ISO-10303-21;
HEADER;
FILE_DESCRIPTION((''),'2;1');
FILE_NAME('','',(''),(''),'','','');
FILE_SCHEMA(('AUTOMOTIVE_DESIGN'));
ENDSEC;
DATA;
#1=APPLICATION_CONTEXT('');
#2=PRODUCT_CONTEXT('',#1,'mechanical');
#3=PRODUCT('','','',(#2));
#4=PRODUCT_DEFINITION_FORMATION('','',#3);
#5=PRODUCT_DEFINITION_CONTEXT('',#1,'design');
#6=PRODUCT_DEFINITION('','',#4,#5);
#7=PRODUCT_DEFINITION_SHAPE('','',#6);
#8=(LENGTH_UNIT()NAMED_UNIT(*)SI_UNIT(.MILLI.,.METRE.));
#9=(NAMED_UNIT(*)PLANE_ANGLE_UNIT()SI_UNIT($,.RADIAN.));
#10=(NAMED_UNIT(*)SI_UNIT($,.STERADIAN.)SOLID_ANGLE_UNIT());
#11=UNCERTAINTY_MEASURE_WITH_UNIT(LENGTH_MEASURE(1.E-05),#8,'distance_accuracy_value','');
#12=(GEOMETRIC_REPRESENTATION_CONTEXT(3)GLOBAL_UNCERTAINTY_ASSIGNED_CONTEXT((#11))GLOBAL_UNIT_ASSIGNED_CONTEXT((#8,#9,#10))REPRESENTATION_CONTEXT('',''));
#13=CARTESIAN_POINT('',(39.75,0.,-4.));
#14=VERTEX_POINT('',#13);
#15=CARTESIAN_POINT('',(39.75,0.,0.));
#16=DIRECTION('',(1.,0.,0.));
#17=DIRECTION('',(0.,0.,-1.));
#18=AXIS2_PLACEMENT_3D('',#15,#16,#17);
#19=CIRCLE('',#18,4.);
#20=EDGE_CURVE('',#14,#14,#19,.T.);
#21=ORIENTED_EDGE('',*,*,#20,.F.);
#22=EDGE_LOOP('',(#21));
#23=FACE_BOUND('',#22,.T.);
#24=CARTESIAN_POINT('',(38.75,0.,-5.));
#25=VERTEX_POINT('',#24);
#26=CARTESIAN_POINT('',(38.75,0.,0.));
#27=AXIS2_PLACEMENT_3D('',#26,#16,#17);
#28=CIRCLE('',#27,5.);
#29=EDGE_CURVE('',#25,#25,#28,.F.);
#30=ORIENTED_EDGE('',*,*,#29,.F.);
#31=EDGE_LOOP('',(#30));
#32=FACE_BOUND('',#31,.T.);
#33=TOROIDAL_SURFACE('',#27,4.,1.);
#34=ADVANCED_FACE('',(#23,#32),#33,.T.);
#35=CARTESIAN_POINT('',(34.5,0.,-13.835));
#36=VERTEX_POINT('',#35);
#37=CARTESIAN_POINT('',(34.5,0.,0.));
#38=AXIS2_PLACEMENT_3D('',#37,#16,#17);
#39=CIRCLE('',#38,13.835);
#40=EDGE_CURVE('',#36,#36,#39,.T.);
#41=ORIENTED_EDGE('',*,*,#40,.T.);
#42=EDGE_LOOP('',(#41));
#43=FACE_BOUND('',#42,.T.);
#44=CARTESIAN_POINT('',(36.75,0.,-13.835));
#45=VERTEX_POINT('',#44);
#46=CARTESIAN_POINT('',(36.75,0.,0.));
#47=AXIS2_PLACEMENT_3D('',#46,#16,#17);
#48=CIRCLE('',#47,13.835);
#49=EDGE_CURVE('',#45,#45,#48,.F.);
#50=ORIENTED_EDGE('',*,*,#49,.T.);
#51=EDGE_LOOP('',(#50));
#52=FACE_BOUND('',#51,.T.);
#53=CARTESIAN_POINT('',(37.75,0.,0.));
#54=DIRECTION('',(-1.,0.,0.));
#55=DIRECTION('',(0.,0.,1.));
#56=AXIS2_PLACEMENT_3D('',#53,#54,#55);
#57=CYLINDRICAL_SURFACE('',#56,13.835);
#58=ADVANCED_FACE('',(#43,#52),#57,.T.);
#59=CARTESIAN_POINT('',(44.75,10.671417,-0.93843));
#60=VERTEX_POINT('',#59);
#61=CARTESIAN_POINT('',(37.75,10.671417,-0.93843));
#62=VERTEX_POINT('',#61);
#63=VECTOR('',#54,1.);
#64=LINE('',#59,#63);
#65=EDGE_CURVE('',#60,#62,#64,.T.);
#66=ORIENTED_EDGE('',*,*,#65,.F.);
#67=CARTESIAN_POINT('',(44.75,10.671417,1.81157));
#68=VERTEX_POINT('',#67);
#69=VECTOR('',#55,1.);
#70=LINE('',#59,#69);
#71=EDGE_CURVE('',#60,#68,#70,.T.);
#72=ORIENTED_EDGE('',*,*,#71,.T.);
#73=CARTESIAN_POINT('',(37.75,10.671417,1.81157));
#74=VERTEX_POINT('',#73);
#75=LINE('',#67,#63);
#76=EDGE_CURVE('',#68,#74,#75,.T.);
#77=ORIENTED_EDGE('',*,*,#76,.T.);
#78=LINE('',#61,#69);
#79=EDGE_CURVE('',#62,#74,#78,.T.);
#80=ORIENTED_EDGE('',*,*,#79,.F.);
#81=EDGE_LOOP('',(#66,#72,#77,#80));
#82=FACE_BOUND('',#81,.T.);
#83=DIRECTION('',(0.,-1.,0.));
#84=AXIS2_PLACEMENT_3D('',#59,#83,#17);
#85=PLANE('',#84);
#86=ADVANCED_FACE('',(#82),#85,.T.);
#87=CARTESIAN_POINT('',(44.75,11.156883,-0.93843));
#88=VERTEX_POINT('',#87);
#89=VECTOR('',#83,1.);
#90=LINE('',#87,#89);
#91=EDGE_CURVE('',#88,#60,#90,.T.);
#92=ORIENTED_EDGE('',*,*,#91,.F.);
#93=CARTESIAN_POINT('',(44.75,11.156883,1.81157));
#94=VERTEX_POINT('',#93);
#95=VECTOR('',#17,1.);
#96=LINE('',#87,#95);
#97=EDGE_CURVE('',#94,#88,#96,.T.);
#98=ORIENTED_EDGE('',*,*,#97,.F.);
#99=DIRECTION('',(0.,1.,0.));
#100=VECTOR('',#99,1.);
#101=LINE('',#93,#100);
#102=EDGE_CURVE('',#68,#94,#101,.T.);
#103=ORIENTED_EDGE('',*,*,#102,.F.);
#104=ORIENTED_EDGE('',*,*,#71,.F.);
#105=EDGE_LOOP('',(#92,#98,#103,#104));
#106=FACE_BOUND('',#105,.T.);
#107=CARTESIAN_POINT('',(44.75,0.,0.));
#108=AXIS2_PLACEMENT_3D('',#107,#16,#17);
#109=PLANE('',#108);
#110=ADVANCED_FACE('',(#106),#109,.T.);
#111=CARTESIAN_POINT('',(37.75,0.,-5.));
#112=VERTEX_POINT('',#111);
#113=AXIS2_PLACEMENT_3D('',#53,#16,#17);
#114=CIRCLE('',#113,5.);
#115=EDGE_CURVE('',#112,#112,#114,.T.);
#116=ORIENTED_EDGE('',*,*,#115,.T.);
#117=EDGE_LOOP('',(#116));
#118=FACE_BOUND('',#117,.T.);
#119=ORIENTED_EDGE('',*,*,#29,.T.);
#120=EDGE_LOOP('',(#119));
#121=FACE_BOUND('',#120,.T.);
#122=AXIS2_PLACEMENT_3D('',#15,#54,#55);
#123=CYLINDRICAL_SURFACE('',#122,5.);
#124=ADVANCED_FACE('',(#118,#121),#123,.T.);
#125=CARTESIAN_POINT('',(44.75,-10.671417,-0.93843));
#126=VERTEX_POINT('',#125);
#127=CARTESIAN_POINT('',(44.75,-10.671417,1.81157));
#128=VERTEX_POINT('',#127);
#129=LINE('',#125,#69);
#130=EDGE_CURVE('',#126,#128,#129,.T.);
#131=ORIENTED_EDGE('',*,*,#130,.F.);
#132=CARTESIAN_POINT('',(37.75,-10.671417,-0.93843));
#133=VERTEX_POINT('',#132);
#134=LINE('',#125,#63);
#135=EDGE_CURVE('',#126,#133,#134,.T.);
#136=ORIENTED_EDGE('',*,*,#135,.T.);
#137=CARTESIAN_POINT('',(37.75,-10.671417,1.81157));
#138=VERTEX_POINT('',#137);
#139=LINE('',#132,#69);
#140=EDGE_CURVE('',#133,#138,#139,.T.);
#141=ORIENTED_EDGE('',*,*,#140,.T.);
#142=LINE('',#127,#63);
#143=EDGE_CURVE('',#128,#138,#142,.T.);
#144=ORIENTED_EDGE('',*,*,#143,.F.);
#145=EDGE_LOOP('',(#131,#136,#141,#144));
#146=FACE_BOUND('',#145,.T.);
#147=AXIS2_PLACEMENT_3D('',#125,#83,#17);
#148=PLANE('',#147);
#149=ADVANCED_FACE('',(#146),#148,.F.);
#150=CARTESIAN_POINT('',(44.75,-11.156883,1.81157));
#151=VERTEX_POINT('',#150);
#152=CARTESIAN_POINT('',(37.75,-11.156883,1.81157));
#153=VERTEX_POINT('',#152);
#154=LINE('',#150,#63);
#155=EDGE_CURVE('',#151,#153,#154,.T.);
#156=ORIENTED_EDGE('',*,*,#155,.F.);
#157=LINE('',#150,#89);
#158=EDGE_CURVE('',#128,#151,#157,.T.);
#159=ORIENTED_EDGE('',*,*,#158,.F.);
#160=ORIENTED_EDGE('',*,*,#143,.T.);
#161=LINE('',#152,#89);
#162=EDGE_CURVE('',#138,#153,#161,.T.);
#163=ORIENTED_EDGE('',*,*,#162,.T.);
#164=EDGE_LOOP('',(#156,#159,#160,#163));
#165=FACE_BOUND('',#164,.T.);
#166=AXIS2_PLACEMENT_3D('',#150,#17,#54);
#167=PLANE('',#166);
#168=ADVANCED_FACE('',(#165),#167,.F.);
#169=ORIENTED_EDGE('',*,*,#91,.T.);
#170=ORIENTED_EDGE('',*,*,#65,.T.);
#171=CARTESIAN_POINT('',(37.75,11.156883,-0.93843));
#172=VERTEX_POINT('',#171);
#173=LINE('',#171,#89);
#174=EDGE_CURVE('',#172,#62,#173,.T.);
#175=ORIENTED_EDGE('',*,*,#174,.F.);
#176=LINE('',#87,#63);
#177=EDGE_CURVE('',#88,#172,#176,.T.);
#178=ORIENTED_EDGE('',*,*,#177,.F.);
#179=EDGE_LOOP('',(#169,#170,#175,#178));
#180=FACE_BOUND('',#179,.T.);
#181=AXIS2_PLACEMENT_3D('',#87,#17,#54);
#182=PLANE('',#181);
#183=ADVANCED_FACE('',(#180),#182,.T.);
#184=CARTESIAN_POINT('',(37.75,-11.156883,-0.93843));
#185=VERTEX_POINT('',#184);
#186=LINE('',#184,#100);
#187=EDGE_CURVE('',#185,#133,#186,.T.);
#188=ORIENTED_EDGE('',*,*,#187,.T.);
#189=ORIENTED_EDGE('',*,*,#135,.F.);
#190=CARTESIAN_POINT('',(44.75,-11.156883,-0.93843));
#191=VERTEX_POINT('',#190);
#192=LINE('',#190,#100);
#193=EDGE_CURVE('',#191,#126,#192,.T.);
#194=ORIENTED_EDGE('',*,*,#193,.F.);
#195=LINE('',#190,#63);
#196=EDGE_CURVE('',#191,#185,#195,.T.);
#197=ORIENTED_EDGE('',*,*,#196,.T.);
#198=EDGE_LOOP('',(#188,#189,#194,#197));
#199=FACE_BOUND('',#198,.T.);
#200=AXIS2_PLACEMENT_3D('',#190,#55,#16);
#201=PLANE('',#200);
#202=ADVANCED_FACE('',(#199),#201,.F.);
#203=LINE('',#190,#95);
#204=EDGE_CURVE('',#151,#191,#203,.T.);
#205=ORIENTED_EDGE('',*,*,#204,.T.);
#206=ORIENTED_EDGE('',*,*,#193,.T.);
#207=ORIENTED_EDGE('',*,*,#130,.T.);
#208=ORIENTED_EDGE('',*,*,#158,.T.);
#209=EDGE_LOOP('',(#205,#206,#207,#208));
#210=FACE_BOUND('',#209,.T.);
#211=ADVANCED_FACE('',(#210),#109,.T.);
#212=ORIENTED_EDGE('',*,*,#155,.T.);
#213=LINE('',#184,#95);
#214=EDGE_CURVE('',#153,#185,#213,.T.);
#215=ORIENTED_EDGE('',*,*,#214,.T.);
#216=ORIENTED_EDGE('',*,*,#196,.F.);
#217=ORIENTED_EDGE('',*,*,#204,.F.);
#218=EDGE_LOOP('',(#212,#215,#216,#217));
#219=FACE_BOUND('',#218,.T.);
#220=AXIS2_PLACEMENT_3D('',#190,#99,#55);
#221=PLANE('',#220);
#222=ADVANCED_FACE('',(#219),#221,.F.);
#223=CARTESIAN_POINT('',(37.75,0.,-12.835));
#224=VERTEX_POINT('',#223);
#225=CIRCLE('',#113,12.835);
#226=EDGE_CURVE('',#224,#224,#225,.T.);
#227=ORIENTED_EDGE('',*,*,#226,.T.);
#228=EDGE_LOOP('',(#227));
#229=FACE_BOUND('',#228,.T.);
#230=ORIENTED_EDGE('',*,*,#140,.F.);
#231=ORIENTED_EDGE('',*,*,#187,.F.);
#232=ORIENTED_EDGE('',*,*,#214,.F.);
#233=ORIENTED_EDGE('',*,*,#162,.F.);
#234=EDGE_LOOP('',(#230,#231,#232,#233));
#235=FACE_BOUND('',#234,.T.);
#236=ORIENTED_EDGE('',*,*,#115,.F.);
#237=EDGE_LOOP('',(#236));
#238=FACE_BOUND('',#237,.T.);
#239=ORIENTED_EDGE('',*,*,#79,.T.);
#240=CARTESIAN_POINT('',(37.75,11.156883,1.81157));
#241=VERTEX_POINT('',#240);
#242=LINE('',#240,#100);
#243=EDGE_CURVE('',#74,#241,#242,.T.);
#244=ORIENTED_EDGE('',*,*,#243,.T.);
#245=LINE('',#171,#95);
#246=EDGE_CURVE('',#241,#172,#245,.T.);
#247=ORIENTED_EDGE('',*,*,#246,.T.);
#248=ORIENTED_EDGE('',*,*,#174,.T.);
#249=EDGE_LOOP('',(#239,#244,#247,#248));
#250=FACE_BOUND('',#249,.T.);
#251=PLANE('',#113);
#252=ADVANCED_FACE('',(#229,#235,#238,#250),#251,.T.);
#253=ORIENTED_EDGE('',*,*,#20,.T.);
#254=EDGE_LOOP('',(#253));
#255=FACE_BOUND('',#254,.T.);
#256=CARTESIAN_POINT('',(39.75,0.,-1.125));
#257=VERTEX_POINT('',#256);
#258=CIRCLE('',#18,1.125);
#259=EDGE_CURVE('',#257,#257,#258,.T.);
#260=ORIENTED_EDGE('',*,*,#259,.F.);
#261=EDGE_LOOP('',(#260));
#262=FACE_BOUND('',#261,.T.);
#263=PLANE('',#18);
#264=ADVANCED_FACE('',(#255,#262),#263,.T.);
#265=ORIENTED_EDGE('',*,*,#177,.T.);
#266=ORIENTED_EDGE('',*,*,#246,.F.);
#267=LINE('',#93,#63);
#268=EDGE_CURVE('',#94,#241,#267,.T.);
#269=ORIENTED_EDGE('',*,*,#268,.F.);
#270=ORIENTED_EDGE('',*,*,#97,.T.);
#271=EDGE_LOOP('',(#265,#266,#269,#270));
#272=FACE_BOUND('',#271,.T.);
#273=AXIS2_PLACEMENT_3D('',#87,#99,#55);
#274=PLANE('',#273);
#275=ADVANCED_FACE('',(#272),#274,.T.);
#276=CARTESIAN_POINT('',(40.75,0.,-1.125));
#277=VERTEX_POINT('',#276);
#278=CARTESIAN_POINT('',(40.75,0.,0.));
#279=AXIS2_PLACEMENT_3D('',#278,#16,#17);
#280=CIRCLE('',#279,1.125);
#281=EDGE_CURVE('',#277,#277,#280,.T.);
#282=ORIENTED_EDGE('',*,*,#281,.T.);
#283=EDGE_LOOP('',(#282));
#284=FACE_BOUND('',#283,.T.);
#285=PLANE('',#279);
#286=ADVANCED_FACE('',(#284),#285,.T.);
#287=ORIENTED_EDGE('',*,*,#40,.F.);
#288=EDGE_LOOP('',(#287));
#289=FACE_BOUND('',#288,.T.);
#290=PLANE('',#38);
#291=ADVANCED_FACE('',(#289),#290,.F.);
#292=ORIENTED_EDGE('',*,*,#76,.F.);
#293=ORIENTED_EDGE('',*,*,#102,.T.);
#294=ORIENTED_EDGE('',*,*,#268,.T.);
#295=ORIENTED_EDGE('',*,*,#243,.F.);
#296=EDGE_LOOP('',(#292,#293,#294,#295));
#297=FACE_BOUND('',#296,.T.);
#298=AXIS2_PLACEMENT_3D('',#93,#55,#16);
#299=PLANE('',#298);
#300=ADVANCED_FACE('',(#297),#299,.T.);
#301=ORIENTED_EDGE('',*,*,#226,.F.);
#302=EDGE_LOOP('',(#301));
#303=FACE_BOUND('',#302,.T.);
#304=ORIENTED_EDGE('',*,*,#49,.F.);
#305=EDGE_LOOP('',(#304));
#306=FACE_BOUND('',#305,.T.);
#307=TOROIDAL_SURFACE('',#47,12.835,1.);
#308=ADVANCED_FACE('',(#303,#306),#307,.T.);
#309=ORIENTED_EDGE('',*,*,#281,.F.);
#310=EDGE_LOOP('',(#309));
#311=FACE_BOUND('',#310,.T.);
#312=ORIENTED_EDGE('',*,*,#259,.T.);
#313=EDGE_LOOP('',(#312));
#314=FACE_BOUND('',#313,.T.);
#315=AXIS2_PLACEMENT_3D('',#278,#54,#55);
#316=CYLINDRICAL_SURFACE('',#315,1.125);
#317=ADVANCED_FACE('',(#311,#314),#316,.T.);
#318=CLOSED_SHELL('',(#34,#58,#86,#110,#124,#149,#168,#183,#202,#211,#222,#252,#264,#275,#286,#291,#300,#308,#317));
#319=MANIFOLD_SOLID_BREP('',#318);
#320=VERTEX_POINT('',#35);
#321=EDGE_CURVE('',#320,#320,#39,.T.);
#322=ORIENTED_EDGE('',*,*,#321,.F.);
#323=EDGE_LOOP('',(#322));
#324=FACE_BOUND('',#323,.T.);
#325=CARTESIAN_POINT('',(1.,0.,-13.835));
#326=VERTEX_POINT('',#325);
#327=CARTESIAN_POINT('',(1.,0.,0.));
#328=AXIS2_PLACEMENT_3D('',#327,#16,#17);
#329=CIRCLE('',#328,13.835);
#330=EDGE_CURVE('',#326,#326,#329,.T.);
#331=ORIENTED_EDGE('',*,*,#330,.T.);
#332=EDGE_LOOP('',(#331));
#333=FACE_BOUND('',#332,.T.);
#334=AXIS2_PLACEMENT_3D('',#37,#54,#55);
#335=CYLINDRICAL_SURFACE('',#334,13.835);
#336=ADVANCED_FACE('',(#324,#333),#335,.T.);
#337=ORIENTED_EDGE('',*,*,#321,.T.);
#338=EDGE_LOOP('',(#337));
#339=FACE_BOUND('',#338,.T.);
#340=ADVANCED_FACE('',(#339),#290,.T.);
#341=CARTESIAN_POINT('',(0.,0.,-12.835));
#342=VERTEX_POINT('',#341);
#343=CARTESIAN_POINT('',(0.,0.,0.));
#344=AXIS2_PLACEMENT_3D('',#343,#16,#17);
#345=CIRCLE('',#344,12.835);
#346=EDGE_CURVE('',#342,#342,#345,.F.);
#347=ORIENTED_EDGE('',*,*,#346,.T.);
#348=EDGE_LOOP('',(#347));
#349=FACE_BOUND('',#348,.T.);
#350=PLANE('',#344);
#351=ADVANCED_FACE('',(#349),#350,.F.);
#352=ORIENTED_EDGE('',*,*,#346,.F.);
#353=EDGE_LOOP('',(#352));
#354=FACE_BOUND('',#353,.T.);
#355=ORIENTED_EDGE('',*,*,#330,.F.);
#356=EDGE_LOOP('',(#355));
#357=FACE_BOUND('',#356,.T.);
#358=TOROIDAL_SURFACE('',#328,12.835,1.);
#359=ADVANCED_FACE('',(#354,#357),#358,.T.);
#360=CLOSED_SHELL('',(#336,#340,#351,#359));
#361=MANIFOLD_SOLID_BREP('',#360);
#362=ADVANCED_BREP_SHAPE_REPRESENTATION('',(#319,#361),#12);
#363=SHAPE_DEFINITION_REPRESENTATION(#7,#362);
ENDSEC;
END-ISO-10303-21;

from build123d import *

# Parameters (mm, degrees)
SKETCH1_R           = 13.835
BOSS_EXTRUDE1_DEPTH = 34.5
SKETCH2_R           = 13.835
BOSS_EXTRUDE2_DEPTH = 3.25
SKETCH3_R           = 5
BOSS_EXTRUDE3_DEPTH = 2
FILLET1_R           = 1
SKETCH4_R           = 1.125
BOSS_EXTRUDE4_DEPTH = 1
FILLET2_R           = 1
SKETCH5_W           = 2.75
SKETCH5_H           = 0.485466573
BOSS_EXTRUDE5_DEPTH = 7


with BuildPart() as part:
    # Sketch1 → Boss-Extrude1 (new body)
    with BuildSketch(Plane(origin=(0, 0, 0), x_dir=(0, 0, -1), z_dir=(1, 0, 0))):
        Circle(SKETCH1_R)
    extrude(amount=BOSS_EXTRUDE1_DEPTH)

    # Fillet1
    fillet1_edges = [part.edges().sort_by_distance(p)[0] for p in [
        (0, 0, 13.835),
    ]]
    fillet(fillet1_edges, radius=FILLET1_R)


with BuildPart() as body_2:
    # Sketch2 → Boss-Extrude2 (new body)
    with BuildSketch(Plane(origin=(34.5, 0, 0), x_dir=(0, 0, -1), z_dir=(1, 0, 0))):
        Circle(SKETCH2_R)
    extrude(amount=BOSS_EXTRUDE2_DEPTH)

    # Sketch3 → Boss-Extrude3 (add)
    with BuildSketch(Plane(origin=(37.75, 0, 0), x_dir=(0, 0, -1), z_dir=(1, 0, 0))):
        Circle(SKETCH3_R)
    extrude(amount=BOSS_EXTRUDE3_DEPTH)

    # Sketch4 → Boss-Extrude4 (add)
    with BuildSketch(Plane(origin=(39.75, 0, 0), x_dir=(0, 0, -1), z_dir=(1, 0, 0))):
        Circle(SKETCH4_R)
    extrude(amount=BOSS_EXTRUDE4_DEPTH)

    # Fillet2
    fillet2_edges = [body_2.edges().sort_by_distance(p)[0] for p in [
        (37.75, 0, 13.835),
        (39.75, 0, 5),
    ]]
    fillet(fillet2_edges, radius=FILLET2_R)

    # Sketch5 → Boss-Extrude5 (add)
    with BuildSketch(Plane(origin=(37.75, 0, 0), x_dir=(0, 0, -1), z_dir=(1, 0, 0))):
        with Locations((-0.43656989, -10.914149911)):
            Rectangle(SKETCH5_W, SKETCH5_H)
    boss_extrude5 = extrude(amount=BOSS_EXTRUDE5_DEPTH)

    # Mirror1: Boss-Extrude5 across plane
    add(boss_extrude5.mirror(Plane.ZX))


solid = Compound([part.part, body_2.part])
